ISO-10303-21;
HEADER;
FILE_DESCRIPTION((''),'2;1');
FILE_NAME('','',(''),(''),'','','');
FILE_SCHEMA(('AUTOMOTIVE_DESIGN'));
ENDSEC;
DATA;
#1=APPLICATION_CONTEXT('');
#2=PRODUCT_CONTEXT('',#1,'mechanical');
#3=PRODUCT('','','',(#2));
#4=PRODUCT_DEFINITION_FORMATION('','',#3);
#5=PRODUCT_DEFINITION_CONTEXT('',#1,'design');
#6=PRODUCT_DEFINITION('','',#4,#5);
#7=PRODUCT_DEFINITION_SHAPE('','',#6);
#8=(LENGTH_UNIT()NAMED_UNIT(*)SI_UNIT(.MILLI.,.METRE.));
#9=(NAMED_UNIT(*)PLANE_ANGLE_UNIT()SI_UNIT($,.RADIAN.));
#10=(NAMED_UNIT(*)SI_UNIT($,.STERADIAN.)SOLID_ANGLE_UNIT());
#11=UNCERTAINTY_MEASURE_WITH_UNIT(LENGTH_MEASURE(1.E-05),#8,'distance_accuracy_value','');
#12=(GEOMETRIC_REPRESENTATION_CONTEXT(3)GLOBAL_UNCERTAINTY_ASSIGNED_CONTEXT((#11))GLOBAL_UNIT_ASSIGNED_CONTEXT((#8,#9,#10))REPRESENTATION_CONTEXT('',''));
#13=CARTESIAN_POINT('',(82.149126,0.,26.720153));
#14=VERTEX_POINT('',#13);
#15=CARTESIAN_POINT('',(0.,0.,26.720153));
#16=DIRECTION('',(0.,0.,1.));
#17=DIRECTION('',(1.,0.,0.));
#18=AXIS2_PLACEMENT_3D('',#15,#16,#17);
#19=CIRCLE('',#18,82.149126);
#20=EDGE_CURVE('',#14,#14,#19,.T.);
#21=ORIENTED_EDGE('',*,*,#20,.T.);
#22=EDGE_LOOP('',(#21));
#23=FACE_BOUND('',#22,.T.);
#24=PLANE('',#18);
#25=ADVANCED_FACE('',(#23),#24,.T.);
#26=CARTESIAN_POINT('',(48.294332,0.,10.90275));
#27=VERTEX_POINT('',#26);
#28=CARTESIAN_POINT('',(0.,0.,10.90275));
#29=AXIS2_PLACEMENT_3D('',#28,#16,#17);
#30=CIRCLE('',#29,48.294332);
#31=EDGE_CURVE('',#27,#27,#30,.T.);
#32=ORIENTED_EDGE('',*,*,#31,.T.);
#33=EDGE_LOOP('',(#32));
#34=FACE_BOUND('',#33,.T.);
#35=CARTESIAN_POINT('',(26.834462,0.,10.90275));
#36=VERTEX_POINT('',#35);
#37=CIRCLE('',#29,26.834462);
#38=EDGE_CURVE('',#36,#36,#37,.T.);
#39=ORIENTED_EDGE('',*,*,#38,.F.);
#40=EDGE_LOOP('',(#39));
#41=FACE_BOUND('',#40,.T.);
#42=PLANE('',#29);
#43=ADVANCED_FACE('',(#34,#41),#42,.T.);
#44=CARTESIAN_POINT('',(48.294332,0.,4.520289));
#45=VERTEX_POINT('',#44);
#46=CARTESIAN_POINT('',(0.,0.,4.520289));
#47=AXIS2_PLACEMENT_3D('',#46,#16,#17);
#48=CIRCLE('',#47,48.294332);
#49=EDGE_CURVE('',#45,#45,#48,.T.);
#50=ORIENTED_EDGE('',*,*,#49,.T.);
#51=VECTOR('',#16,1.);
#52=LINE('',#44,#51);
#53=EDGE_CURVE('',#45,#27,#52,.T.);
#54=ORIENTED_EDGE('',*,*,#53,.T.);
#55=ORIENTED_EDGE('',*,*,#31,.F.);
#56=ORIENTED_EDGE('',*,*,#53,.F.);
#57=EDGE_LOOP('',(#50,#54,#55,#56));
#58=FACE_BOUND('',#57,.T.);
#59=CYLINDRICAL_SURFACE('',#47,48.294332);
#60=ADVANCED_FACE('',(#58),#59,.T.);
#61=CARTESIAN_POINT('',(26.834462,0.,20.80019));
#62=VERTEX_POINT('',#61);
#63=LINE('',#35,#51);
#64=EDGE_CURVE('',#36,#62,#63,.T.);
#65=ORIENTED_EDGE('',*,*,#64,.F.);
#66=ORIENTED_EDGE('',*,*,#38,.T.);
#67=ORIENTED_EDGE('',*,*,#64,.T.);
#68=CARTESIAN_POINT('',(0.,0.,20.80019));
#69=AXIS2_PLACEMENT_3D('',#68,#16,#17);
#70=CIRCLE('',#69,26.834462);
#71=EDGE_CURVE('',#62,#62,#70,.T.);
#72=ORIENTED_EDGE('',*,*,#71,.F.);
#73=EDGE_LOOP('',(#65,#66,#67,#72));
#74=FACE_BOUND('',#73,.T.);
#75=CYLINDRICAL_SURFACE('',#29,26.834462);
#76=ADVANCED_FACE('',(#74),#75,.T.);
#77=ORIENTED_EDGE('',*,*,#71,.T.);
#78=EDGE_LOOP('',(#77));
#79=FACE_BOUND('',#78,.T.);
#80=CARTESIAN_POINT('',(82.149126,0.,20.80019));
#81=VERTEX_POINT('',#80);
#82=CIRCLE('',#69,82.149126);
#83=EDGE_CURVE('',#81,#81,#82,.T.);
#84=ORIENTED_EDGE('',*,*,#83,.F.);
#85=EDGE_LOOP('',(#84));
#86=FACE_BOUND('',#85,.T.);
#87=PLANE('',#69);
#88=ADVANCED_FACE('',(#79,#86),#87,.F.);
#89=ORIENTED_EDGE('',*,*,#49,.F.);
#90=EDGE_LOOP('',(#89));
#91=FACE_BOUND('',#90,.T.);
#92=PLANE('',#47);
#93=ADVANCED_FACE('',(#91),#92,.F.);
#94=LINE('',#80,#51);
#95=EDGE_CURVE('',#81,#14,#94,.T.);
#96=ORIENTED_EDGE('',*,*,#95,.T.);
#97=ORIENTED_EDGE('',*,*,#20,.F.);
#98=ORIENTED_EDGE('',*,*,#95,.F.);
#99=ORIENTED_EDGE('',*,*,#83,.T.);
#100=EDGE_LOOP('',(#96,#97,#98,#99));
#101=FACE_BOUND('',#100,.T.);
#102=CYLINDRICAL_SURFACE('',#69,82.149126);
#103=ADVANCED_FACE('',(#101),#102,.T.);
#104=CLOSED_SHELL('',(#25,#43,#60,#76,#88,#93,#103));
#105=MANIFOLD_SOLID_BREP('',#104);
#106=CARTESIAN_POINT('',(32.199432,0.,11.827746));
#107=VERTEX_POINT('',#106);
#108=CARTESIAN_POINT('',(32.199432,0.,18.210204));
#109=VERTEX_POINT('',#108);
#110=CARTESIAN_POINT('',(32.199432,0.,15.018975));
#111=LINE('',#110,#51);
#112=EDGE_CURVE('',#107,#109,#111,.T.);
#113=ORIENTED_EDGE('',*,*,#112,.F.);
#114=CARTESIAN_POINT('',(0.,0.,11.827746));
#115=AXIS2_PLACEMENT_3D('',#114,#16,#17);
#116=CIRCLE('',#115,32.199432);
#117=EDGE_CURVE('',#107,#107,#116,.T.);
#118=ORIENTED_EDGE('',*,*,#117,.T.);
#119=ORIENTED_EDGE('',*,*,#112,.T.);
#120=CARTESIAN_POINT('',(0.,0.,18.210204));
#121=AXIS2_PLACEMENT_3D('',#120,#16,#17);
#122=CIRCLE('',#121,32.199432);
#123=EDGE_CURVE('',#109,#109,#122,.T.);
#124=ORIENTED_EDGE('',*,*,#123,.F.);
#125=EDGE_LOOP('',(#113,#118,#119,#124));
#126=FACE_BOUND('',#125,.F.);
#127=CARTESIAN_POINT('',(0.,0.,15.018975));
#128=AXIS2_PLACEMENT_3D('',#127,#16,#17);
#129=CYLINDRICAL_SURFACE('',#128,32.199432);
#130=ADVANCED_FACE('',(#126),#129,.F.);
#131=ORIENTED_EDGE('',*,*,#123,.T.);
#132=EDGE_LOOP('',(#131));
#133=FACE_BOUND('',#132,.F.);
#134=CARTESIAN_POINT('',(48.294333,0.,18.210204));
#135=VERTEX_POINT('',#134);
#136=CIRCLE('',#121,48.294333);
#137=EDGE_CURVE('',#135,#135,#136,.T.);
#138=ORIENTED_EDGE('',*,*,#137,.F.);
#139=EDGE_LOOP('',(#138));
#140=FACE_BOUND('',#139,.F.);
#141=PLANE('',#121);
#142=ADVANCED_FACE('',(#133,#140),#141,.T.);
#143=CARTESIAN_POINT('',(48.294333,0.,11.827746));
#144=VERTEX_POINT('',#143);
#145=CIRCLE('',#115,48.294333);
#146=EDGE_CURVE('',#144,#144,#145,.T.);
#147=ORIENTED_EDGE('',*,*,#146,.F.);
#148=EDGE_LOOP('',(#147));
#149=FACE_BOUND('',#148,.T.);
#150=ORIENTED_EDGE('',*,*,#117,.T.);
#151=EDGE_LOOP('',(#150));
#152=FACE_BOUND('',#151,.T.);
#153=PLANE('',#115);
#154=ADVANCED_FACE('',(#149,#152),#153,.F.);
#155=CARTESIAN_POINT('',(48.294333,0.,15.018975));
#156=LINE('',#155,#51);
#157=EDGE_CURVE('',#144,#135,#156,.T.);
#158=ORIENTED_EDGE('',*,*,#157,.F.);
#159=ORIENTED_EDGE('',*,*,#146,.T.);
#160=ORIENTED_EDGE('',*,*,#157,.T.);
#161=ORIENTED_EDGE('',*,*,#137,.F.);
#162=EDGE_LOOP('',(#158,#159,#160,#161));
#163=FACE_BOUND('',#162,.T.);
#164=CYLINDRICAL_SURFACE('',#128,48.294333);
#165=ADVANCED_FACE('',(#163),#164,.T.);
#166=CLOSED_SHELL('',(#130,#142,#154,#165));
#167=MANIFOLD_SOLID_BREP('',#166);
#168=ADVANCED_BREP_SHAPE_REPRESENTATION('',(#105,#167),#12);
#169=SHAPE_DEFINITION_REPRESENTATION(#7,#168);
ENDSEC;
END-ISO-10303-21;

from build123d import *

# Parameters (mm, degrees)
F0_W = 16.094901
F0_H = 6.382459


with BuildPart() as f1:
    # F0 (on Front) → F1 (revolve)
    with BuildSketch(Plane.XZ):
        Polygon((0, 10.90275), (26.834462, 10.90275), (26.834462, 18.210204), (26.834462, 20.80019), (82.149126, 20.80019), (82.149126, 26.720153), (0, 26.720153), (0, 20.80019), (0, 18.210204), align=None)
        with Locations((40.246882, 15.018975)):
            Rectangle(F0_W, F0_H)
        Polygon((48.294332, 4.520289), (48.294332, 10.90275), (26.834462, 10.90275), (0, 10.90275), (0, 4.520289), align=None)
    revolve(axis=Axis((0, 0, 1.745306), (0, 0, 1)))


solid = f1.part
